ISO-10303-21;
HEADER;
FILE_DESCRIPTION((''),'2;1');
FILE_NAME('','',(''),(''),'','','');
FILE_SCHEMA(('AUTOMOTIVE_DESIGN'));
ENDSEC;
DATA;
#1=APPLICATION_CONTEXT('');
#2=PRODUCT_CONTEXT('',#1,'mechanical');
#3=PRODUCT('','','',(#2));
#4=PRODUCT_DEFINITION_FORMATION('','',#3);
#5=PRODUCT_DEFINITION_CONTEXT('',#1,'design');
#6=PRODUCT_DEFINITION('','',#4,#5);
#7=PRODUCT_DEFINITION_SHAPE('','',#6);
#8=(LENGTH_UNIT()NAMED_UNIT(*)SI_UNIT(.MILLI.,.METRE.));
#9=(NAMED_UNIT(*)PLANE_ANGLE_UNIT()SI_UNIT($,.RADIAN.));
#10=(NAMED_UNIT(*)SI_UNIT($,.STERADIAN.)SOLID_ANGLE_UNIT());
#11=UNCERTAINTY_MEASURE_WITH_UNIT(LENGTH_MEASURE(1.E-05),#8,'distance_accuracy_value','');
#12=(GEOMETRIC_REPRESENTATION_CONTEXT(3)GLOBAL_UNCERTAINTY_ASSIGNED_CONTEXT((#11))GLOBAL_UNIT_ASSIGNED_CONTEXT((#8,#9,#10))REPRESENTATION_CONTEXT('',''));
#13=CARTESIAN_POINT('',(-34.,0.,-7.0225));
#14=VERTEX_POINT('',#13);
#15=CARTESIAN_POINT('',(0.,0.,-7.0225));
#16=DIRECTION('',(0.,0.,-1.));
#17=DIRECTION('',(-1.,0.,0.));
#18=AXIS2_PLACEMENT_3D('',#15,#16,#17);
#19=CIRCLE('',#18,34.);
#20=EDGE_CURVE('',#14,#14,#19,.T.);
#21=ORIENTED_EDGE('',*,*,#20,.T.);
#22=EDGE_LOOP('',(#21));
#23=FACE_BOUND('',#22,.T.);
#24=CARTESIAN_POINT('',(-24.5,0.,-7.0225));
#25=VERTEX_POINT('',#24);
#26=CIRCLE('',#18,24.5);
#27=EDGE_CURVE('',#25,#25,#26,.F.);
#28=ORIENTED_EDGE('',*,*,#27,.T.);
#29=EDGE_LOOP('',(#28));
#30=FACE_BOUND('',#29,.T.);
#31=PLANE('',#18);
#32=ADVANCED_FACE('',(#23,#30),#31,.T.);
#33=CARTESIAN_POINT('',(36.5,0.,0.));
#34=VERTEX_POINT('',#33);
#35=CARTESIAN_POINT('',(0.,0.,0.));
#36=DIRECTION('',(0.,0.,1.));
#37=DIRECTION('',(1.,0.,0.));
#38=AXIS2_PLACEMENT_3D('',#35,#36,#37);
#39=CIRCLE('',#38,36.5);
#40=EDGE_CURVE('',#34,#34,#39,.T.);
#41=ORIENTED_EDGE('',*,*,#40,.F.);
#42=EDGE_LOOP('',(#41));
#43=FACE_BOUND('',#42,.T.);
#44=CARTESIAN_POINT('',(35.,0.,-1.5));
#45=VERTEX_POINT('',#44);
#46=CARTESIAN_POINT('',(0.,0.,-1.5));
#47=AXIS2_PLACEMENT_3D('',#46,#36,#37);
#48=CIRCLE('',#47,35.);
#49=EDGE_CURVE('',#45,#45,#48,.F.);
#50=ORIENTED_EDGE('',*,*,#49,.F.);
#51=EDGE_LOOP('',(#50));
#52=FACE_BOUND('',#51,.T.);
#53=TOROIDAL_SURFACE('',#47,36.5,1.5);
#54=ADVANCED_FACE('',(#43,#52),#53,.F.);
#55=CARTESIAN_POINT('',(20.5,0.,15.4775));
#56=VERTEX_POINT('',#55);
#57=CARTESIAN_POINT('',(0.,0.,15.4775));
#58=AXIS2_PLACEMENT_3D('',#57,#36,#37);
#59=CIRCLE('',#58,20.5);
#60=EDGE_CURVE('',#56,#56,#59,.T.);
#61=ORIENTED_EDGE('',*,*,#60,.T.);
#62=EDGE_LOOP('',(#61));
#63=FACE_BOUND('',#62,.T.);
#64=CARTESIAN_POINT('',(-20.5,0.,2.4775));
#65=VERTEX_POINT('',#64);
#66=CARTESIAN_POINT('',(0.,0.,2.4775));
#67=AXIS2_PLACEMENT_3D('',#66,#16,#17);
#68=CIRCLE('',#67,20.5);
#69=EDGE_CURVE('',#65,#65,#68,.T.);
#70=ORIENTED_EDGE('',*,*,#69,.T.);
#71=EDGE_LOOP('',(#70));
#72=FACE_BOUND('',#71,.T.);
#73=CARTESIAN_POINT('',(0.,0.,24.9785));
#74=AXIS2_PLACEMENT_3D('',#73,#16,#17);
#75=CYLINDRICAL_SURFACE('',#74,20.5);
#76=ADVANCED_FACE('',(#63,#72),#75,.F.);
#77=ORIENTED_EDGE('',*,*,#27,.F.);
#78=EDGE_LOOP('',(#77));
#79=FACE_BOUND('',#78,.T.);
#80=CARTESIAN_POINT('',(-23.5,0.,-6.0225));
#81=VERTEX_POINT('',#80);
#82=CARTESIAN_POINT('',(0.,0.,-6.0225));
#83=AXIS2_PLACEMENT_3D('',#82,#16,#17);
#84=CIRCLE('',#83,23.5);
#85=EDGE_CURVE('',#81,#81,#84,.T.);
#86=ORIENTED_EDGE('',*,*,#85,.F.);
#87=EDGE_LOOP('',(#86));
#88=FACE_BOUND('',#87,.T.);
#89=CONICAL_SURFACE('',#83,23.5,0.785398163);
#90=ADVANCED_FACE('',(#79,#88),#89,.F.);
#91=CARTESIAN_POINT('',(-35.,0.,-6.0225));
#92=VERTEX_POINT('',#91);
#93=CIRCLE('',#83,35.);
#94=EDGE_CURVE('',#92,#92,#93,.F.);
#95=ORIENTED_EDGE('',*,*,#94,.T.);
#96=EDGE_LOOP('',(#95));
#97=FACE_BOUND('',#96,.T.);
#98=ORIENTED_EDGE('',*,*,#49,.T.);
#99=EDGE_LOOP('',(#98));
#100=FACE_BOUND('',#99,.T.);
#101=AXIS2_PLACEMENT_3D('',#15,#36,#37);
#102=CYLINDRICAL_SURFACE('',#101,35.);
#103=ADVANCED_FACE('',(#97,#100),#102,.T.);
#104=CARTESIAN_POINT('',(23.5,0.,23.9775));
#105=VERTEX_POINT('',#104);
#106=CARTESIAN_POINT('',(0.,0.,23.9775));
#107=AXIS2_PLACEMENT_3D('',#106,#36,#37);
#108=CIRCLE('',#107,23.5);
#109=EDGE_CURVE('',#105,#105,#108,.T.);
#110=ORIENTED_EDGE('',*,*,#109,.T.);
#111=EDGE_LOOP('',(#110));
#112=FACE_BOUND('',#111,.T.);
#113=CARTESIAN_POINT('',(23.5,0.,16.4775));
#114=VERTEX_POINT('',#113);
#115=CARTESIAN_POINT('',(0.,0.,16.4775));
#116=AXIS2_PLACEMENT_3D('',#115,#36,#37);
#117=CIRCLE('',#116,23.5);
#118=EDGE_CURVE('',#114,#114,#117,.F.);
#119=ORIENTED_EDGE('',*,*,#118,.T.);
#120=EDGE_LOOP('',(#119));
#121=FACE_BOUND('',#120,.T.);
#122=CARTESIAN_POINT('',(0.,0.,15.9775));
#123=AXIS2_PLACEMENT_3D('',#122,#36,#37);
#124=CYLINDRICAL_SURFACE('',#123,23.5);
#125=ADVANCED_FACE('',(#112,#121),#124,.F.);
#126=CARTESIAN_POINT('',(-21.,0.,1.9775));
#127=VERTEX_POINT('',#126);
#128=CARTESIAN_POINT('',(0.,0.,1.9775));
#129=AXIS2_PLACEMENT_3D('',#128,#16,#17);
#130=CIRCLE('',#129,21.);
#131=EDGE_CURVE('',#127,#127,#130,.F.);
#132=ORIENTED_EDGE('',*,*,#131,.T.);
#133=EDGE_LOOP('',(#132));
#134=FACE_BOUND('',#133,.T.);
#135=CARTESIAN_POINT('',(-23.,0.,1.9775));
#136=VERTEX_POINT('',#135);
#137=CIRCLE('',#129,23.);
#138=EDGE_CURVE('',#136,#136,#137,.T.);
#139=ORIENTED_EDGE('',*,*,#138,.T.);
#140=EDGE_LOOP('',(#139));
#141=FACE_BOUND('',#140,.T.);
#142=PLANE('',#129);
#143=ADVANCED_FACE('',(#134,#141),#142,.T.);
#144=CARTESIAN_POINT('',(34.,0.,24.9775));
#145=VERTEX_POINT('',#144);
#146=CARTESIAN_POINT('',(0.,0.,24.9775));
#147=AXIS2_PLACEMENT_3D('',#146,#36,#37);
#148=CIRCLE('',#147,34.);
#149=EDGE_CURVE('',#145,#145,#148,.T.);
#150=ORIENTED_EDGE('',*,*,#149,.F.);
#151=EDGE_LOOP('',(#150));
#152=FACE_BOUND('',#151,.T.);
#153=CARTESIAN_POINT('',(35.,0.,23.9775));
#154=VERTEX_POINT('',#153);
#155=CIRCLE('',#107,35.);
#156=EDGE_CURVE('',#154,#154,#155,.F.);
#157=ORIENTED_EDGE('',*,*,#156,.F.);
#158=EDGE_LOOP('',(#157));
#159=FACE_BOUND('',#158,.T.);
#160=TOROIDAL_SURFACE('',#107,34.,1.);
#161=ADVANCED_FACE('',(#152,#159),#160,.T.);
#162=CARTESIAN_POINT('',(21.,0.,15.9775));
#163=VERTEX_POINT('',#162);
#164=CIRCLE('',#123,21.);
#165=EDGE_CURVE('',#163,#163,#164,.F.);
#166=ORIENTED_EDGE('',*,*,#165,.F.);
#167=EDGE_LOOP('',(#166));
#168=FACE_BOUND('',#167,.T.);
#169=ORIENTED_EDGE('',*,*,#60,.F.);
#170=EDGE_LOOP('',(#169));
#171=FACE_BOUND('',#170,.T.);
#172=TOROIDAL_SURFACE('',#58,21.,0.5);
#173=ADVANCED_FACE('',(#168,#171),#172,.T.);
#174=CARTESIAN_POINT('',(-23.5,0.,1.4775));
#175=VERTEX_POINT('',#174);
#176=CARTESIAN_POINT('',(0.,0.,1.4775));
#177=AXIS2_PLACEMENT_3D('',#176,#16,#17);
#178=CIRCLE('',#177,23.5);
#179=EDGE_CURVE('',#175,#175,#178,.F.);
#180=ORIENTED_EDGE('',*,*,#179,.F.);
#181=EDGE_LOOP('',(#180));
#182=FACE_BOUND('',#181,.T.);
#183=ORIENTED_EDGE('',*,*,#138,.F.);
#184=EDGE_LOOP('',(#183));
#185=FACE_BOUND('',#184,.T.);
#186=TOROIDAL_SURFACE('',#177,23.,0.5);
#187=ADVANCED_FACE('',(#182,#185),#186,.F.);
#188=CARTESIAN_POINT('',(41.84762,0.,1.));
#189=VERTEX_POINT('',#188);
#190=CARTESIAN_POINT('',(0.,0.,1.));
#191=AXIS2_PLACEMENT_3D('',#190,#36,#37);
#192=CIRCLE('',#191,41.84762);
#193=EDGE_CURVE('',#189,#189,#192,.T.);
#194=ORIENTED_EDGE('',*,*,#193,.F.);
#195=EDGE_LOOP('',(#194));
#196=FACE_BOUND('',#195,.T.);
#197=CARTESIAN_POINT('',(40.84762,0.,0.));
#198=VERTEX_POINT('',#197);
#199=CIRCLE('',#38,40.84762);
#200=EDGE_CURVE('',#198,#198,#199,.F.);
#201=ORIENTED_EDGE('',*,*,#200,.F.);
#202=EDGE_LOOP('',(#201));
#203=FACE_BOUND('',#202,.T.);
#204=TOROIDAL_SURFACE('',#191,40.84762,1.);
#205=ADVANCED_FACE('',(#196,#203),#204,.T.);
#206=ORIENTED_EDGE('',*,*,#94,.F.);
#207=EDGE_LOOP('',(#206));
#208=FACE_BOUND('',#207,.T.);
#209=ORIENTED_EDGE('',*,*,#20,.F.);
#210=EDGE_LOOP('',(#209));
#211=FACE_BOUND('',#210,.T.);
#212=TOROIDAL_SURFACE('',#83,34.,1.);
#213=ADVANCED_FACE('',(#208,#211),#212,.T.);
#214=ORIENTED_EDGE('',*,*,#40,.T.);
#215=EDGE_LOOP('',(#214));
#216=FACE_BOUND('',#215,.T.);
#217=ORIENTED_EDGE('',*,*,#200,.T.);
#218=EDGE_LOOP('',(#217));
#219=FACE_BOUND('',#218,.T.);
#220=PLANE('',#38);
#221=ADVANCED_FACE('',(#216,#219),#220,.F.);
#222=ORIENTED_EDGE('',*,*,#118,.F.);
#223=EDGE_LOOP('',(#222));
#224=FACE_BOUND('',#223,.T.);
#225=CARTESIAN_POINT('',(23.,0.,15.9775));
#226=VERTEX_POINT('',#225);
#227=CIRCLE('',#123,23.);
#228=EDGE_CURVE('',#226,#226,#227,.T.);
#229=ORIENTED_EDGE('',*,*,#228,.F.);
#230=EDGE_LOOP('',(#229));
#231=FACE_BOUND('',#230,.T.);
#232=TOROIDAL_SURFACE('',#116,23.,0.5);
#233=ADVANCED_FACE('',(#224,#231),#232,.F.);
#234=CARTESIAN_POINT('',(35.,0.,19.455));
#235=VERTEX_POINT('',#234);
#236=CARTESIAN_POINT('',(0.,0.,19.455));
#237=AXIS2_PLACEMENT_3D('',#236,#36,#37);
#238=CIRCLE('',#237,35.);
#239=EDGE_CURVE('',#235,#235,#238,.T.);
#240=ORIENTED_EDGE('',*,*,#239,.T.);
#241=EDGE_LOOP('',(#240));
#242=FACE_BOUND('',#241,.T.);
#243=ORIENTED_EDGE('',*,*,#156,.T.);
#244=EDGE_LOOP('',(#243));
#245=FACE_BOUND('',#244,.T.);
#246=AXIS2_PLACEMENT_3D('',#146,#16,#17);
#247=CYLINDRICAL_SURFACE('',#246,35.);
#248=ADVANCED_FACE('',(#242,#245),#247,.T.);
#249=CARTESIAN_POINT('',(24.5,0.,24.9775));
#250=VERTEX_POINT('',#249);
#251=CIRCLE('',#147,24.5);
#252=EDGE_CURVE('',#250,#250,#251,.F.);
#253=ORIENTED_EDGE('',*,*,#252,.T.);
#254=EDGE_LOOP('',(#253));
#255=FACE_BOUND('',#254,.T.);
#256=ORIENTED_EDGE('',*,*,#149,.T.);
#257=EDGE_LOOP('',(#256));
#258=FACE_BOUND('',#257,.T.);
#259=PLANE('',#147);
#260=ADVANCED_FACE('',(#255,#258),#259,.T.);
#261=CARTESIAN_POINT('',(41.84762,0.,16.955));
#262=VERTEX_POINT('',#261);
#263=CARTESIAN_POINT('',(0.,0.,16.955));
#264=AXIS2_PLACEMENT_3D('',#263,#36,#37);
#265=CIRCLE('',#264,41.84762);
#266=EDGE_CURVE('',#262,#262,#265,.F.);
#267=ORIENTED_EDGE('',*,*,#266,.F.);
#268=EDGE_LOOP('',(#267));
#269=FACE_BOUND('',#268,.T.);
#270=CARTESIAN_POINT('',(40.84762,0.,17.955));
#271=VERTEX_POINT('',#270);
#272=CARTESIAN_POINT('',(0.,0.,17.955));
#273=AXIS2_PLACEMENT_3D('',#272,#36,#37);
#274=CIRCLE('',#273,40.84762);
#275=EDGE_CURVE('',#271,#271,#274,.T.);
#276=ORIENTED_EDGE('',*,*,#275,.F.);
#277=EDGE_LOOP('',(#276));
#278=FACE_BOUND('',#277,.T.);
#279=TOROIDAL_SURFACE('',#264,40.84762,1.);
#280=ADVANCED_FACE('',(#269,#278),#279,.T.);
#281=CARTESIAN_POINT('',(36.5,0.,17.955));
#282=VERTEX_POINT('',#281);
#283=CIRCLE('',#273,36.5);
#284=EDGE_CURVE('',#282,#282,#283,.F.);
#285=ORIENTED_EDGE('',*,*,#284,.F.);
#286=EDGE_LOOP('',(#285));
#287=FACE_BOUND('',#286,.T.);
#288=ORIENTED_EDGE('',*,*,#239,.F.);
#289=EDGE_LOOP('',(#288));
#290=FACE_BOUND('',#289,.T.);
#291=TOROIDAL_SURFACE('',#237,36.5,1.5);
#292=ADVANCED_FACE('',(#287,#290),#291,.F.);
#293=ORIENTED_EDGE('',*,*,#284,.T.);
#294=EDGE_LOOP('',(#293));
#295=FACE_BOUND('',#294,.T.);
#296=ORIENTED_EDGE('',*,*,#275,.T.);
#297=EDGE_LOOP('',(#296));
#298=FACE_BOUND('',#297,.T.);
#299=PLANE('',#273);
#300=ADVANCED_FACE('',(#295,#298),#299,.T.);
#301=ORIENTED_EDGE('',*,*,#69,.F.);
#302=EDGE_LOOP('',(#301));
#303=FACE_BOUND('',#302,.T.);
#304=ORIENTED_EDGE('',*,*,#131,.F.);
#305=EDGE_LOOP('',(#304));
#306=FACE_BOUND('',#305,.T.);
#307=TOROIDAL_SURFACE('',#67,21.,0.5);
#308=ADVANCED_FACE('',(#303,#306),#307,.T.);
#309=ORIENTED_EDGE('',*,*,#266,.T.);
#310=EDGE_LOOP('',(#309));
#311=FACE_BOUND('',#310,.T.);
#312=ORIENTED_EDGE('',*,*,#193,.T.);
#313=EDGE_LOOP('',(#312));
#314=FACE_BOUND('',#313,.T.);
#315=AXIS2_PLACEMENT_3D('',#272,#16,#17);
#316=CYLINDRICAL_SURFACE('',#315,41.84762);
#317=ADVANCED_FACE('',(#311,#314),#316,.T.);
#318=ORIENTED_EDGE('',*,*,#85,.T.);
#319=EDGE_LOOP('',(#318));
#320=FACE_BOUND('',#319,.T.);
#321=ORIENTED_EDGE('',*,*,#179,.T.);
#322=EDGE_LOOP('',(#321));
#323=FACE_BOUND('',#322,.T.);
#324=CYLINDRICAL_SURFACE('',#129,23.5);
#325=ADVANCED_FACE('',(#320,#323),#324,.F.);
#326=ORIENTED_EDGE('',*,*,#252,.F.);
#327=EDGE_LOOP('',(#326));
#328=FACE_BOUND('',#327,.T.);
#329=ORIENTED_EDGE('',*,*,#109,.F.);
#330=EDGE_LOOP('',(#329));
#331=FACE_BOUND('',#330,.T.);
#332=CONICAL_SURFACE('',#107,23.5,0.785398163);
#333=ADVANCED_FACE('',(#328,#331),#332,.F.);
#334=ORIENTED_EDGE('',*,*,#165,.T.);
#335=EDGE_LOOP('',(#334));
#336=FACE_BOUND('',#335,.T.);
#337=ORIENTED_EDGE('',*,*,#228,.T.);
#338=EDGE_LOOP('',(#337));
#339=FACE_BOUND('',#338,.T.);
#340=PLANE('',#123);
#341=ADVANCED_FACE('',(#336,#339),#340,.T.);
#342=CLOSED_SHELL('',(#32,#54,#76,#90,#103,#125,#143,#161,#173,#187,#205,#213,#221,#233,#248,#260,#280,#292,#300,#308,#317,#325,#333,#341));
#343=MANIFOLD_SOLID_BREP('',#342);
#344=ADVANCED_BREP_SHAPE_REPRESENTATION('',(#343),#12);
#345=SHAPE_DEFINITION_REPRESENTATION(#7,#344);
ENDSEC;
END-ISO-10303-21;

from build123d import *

# Parameters (mm, degrees)
SKETCH_1_R          = 41.84762
EXTRUDE_1_DEPTH     = 17.955
SKETCH_2_R          = 35
EXTRUDE_2_DEPTH     = 7.0225
SKETCH_3_R          = 35
EXTRUDE_3_DEPTH     = 7.0225
FILLET_1_R          = 1.5
FILLET_2_R          = 1
SKETCH_4_R          = 23.5
CUT_EXTRUDE_1_DEPTH = 9
SKETCH_5_R          = 23.5
CUT_EXTRUDE_2_DEPTH = 9
CUT_EXTRUDE_3_REACH = 25
SKETCH_6_R          = 20.5
FILLET_3_R          = 0.5
CHAMFER_1_SIZE      = 1


with BuildPart() as part:
    # 草图1 → 凸台-拉伸1 (new body)
    with BuildSketch(Plane.XY):
        Circle(SKETCH_1_R)
    extrude(amount=EXTRUDE_1_DEPTH)

    # 草图2 → 凸台-拉伸2 (add)
    with BuildSketch(Plane.XY.offset(17.955)):
        Circle(SKETCH_2_R)
    extrude(amount=EXTRUDE_2_DEPTH)

    # 草图3 → 凸台-拉伸3 (add)
    with BuildSketch(Plane(origin=(0, 0, 0), x_dir=(-1, 0, 0), z_dir=(0, 0, -1))):
        Circle(SKETCH_3_R)
    extrude(amount=EXTRUDE_3_DEPTH)

    # 圆角1
    fillet_1_edges = [part.edges().sort_by_distance(p)[0] for p in [
        (-35, 0, 17.955),
        (35, 0, 0),
    ]]
    fillet(fillet_1_edges, radius=FILLET_1_R)

    # 圆角2
    fillet_2_edges = [part.edges().sort_by_distance(p)[0] for p in [
        (35, 0, -7.0225),
        (-41.84762, 0, 0),
        (-41.84762, 0, 17.955),
        (-35, 0, 24.9775),
    ]]
    fillet(fillet_2_edges, radius=FILLET_2_R)

    # 草图4 → 切除-拉伸1 (cut)
    with BuildSketch(Plane.XY.offset(24.9775)):
        Circle(SKETCH_4_R)
    extrude(amount=-CUT_EXTRUDE_1_DEPTH, mode=Mode.SUBTRACT)

    # 草图5 → 切除-拉伸2 (cut)
    with BuildSketch(Plane(origin=(0, 0, -7.0225), x_dir=(-1, 0, 0), z_dir=(0, 0, -1))):
        Circle(SKETCH_5_R)
    extrude(amount=-CUT_EXTRUDE_2_DEPTH, mode=Mode.SUBTRACT)

    # 草图6 → 切除-拉伸3 (cut, up to next)
    with BuildSketch(Plane(origin=(0, 0, 1.9775), x_dir=(-1, 0, 0), z_dir=(0, 0, -1)), mode=Mode.PRIVATE) as cut_extrude_3_sk1:
        Circle(SKETCH_6_R)
    cut_extrude_3_tool1 = extrude(cut_extrude_3_sk1.sketch, amount=-CUT_EXTRUDE_3_REACH, mode=Mode.PRIVATE) & part.part
    add(cut_extrude_3_tool1.solids().sort_by_distance((0, 0, 1.9775))[0], mode=Mode.SUBTRACT)

    # 圆角3
    fillet_3_edges = [part.edges().sort_by_distance(p)[0] for p in [
        (-23.5, 0, 15.9775),
        (23.5, 0, 1.9775),
        (20.5, 0, 15.9775),
        (20.5, 0, 1.9775),
    ]]
    fillet(fillet_3_edges, radius=FILLET_3_R)

    # 倒角1
    chamfer_1_edges = [part.edges().sort_by_distance(p)[0] for p in [
        (-23.5, 0, 24.9775),
        (23.5, 0, -7.0225),
    ]]
    chamfer(chamfer_1_edges, length=CHAMFER_1_SIZE)


solid = part.part
